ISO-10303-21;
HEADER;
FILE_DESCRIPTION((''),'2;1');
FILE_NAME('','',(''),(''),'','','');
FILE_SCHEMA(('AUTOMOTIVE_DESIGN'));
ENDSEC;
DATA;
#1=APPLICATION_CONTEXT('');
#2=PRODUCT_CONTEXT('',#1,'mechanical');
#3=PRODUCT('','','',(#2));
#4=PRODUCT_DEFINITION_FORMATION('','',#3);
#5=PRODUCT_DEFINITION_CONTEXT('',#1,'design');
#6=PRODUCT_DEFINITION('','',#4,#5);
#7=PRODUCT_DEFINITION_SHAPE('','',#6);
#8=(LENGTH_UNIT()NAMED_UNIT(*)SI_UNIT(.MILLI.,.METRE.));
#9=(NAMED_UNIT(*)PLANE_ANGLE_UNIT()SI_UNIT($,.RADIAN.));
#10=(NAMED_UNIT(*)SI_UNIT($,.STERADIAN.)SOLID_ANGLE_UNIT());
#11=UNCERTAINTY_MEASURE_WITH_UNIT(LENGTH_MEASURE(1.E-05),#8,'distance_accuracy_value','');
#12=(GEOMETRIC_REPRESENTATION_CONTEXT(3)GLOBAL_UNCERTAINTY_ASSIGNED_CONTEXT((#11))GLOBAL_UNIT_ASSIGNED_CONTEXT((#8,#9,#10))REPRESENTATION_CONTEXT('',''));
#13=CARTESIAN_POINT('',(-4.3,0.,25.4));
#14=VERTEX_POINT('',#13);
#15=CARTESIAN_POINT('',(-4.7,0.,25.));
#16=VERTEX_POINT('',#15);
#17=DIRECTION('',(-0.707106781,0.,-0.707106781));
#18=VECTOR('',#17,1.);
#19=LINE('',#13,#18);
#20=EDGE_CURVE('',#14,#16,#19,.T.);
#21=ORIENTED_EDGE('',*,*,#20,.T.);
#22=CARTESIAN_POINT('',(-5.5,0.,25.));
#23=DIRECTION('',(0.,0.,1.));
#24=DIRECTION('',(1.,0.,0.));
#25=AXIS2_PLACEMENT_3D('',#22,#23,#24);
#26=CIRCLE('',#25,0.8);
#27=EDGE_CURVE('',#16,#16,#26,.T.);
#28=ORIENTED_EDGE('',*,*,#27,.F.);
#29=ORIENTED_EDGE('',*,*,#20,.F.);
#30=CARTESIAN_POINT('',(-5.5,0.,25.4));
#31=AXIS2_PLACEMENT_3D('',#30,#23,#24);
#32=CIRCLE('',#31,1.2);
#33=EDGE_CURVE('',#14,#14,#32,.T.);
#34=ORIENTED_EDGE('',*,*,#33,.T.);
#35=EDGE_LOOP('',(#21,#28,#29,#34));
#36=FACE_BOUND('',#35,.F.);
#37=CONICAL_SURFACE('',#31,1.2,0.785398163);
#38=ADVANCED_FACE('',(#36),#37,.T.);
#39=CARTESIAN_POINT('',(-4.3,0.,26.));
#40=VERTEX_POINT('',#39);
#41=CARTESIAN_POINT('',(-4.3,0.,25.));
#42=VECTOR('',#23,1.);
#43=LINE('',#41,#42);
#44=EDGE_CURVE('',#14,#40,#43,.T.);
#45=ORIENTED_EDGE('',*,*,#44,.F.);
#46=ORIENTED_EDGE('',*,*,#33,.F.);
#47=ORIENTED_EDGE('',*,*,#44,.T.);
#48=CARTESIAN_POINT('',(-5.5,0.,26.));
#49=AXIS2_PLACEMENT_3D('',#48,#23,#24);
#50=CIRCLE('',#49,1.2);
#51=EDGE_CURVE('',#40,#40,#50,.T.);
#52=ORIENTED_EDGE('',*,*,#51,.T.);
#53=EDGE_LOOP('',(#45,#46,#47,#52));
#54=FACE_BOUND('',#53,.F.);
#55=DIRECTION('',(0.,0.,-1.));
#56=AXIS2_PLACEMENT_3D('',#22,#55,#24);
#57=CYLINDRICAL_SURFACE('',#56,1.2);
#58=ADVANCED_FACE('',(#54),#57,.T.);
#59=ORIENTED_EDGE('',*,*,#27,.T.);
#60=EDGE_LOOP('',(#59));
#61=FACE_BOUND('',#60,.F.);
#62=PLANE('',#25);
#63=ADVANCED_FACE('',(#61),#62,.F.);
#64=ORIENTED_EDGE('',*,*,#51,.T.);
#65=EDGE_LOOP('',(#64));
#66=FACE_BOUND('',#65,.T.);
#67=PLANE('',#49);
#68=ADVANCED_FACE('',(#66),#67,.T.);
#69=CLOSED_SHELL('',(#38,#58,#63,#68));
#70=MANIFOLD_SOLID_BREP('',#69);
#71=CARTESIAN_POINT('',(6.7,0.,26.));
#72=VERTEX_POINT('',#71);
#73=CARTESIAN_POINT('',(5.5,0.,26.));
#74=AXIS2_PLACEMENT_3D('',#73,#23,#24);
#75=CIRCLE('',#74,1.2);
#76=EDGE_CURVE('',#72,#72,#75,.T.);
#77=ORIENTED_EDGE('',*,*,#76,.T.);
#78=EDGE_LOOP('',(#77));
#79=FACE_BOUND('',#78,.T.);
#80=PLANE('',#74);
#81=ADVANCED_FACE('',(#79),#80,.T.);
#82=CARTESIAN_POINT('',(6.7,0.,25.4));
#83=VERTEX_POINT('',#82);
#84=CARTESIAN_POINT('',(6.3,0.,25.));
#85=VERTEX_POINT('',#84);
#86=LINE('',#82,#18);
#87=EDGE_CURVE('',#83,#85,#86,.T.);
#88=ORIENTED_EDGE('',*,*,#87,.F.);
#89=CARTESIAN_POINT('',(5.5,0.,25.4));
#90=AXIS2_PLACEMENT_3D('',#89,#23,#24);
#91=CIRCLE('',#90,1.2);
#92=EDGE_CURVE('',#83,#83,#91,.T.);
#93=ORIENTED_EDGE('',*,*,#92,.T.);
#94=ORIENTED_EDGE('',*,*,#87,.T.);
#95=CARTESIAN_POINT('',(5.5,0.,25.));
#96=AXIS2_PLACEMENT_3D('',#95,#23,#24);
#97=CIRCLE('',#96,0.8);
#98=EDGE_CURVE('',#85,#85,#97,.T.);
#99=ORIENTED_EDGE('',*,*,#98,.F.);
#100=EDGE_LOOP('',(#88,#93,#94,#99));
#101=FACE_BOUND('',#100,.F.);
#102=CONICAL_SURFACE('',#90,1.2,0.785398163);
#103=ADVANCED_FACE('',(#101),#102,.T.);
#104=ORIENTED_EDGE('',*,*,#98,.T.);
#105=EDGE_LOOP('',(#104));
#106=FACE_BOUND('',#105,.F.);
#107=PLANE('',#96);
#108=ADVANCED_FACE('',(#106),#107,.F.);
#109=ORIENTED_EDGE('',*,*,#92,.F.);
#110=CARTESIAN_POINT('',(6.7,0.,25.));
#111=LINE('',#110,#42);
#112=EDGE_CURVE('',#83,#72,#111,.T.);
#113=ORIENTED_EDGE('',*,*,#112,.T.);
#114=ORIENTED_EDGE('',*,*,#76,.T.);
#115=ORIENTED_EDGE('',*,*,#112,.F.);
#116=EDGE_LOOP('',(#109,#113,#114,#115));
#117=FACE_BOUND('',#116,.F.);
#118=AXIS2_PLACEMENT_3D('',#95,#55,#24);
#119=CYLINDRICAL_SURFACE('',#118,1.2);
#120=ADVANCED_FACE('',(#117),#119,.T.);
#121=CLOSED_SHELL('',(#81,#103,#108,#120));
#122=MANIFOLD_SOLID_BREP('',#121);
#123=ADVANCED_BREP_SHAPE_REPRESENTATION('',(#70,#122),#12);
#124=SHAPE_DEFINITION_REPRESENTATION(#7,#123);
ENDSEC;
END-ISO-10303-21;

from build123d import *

# Parameters (mm, degrees)
CYLINDER006_R     = 1.2
CYLINDER006_DEPTH = 1
CYLINDER007_R     = 1.2
CYLINDER007_DEPTH = 1
CHAMFER002_SIZE   = 0.4


with BuildPart() as cylinder006:
    # Cylinder006 → Cylinder006 (new body)
    with BuildSketch(Plane(origin=(-5.5, 0, 25), x_dir=(1, 0, 0), z_dir=(0, 0, 1))):
        Circle(CYLINDER006_R)
    extrude(amount=CYLINDER006_DEPTH)


with BuildPart() as chamfer002:
    # Cylinder007 → Cylinder007 (new body)
    with BuildSketch(Plane(origin=(5.5, 0, 25), x_dir=(1, 0, 0), z_dir=(0, 0, 1))):
        Circle(CYLINDER007_R)
    extrude(amount=CYLINDER007_DEPTH)

    # Fusion001005: union Cylinder006
    add(cylinder006.part)

    # Chamfer002
    chamfer002_edges = [chamfer002.edges().sort_by_distance(p)[0] for p in [
        (4.3, 0, 25),
        (-6.7, 0, 25),
    ]]
    chamfer(chamfer002_edges, length=CHAMFER002_SIZE)


solid = chamfer002.part
